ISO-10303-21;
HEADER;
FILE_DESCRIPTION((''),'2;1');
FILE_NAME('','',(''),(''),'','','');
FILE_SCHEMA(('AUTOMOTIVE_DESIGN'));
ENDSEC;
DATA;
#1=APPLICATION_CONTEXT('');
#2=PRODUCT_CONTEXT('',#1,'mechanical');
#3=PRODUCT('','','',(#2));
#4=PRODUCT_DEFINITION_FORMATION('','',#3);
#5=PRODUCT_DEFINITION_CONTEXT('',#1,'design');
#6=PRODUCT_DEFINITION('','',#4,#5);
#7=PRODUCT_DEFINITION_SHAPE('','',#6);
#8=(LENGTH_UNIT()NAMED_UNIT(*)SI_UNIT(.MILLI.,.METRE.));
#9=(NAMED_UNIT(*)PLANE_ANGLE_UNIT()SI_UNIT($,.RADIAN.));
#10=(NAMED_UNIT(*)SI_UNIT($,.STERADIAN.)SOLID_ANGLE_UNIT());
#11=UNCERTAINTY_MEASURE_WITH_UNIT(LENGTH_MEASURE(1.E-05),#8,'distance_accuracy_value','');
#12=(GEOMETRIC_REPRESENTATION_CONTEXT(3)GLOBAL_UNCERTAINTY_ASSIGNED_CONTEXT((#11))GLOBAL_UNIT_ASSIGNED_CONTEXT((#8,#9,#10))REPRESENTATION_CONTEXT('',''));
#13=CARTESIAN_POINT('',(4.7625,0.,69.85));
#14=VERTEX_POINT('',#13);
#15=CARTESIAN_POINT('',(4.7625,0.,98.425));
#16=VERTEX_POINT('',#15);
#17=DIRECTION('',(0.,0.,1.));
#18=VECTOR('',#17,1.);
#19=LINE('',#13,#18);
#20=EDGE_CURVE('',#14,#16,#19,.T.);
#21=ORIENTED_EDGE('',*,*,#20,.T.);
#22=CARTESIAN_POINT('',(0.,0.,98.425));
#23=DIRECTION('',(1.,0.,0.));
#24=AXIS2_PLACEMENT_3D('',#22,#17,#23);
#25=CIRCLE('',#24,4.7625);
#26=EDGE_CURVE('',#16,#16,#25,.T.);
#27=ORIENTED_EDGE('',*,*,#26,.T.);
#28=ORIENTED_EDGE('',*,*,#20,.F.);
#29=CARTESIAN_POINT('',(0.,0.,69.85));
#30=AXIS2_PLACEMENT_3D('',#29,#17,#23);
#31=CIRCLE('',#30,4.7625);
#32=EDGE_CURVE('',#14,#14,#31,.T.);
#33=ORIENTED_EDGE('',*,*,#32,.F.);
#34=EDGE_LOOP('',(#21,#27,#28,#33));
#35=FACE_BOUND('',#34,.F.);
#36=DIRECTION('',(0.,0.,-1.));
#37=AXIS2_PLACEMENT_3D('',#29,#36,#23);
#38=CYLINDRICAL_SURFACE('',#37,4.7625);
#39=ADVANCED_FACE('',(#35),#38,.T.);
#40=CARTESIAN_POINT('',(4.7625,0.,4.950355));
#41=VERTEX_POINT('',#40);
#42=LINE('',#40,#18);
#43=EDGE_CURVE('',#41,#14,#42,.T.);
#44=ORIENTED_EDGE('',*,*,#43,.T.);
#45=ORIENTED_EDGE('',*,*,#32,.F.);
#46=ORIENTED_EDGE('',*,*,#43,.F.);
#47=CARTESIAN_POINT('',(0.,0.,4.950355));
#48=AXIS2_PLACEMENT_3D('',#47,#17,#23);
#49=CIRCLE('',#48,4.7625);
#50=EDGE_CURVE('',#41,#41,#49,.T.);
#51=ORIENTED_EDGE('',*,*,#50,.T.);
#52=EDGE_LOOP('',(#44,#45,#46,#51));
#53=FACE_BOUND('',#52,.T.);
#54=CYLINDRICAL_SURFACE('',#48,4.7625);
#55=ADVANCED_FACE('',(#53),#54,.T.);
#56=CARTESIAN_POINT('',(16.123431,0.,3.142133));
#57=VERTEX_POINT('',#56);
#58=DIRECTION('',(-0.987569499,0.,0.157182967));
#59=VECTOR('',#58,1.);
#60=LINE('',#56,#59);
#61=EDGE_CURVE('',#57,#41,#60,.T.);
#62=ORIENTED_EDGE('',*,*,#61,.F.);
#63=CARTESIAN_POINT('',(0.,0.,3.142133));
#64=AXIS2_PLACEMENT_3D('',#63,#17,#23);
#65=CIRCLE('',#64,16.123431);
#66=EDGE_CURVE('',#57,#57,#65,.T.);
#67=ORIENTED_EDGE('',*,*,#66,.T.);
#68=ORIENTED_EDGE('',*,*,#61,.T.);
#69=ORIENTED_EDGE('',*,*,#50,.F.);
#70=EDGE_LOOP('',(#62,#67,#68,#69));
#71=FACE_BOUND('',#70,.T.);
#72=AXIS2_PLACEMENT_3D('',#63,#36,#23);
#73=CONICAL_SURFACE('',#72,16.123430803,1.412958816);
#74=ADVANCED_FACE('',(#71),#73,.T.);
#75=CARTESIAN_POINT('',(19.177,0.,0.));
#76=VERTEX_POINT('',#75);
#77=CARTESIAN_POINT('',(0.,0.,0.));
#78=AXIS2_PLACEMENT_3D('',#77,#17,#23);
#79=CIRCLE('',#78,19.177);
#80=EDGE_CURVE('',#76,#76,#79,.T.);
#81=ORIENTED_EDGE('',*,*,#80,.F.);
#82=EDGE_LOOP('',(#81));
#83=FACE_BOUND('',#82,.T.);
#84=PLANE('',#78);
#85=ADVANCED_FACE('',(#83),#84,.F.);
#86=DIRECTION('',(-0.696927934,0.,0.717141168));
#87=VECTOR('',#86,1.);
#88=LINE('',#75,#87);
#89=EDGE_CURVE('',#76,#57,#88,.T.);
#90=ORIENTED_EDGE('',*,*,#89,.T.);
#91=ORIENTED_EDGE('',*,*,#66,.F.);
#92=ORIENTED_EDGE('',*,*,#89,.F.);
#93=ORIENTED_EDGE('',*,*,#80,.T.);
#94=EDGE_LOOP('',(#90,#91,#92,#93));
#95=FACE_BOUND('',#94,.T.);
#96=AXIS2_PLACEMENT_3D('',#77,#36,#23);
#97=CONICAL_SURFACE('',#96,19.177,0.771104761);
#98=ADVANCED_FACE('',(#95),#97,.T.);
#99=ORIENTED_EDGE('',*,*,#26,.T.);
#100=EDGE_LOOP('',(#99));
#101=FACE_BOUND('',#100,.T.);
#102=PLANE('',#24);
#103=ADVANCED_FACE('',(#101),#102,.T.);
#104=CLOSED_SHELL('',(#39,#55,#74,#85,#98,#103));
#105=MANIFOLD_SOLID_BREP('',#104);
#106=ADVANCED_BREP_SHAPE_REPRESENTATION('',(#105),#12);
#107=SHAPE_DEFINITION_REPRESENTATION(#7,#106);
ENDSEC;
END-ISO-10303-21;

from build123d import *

# Parameters (mm, degrees)
F3_DEPTH = 50.8
F4_DEPTH = 22.225


with BuildPart() as f2:
    # F1 (on Front) → F2 (revolve)
    with BuildSketch(Plane.XZ):
        Polygon((0, 69.85), (0, 0), (19.177, 0), (16.1234308034, 3.1421328895), (4.7625, 4.9503548071), (4.7625, 69.85), align=None)
    revolve(axis=Axis((0, 0, 0), (0, 0, 1)))

    # F3 (add): a face of the model
    f3_faces = [f2.faces().sort_by_distance(p)[0] for p in [
        (0, 0, 69.85),
    ]]
    extrude(f3_faces, amount=F3_DEPTH)

    # F4 (cut): a face of the model
    f4_faces = [f2.faces().sort_by_distance(p)[0] for p in [
        (0, 0, 120.65),
    ]]
    extrude(f4_faces, amount=-F4_DEPTH, mode=Mode.SUBTRACT)


solid = f2.part
